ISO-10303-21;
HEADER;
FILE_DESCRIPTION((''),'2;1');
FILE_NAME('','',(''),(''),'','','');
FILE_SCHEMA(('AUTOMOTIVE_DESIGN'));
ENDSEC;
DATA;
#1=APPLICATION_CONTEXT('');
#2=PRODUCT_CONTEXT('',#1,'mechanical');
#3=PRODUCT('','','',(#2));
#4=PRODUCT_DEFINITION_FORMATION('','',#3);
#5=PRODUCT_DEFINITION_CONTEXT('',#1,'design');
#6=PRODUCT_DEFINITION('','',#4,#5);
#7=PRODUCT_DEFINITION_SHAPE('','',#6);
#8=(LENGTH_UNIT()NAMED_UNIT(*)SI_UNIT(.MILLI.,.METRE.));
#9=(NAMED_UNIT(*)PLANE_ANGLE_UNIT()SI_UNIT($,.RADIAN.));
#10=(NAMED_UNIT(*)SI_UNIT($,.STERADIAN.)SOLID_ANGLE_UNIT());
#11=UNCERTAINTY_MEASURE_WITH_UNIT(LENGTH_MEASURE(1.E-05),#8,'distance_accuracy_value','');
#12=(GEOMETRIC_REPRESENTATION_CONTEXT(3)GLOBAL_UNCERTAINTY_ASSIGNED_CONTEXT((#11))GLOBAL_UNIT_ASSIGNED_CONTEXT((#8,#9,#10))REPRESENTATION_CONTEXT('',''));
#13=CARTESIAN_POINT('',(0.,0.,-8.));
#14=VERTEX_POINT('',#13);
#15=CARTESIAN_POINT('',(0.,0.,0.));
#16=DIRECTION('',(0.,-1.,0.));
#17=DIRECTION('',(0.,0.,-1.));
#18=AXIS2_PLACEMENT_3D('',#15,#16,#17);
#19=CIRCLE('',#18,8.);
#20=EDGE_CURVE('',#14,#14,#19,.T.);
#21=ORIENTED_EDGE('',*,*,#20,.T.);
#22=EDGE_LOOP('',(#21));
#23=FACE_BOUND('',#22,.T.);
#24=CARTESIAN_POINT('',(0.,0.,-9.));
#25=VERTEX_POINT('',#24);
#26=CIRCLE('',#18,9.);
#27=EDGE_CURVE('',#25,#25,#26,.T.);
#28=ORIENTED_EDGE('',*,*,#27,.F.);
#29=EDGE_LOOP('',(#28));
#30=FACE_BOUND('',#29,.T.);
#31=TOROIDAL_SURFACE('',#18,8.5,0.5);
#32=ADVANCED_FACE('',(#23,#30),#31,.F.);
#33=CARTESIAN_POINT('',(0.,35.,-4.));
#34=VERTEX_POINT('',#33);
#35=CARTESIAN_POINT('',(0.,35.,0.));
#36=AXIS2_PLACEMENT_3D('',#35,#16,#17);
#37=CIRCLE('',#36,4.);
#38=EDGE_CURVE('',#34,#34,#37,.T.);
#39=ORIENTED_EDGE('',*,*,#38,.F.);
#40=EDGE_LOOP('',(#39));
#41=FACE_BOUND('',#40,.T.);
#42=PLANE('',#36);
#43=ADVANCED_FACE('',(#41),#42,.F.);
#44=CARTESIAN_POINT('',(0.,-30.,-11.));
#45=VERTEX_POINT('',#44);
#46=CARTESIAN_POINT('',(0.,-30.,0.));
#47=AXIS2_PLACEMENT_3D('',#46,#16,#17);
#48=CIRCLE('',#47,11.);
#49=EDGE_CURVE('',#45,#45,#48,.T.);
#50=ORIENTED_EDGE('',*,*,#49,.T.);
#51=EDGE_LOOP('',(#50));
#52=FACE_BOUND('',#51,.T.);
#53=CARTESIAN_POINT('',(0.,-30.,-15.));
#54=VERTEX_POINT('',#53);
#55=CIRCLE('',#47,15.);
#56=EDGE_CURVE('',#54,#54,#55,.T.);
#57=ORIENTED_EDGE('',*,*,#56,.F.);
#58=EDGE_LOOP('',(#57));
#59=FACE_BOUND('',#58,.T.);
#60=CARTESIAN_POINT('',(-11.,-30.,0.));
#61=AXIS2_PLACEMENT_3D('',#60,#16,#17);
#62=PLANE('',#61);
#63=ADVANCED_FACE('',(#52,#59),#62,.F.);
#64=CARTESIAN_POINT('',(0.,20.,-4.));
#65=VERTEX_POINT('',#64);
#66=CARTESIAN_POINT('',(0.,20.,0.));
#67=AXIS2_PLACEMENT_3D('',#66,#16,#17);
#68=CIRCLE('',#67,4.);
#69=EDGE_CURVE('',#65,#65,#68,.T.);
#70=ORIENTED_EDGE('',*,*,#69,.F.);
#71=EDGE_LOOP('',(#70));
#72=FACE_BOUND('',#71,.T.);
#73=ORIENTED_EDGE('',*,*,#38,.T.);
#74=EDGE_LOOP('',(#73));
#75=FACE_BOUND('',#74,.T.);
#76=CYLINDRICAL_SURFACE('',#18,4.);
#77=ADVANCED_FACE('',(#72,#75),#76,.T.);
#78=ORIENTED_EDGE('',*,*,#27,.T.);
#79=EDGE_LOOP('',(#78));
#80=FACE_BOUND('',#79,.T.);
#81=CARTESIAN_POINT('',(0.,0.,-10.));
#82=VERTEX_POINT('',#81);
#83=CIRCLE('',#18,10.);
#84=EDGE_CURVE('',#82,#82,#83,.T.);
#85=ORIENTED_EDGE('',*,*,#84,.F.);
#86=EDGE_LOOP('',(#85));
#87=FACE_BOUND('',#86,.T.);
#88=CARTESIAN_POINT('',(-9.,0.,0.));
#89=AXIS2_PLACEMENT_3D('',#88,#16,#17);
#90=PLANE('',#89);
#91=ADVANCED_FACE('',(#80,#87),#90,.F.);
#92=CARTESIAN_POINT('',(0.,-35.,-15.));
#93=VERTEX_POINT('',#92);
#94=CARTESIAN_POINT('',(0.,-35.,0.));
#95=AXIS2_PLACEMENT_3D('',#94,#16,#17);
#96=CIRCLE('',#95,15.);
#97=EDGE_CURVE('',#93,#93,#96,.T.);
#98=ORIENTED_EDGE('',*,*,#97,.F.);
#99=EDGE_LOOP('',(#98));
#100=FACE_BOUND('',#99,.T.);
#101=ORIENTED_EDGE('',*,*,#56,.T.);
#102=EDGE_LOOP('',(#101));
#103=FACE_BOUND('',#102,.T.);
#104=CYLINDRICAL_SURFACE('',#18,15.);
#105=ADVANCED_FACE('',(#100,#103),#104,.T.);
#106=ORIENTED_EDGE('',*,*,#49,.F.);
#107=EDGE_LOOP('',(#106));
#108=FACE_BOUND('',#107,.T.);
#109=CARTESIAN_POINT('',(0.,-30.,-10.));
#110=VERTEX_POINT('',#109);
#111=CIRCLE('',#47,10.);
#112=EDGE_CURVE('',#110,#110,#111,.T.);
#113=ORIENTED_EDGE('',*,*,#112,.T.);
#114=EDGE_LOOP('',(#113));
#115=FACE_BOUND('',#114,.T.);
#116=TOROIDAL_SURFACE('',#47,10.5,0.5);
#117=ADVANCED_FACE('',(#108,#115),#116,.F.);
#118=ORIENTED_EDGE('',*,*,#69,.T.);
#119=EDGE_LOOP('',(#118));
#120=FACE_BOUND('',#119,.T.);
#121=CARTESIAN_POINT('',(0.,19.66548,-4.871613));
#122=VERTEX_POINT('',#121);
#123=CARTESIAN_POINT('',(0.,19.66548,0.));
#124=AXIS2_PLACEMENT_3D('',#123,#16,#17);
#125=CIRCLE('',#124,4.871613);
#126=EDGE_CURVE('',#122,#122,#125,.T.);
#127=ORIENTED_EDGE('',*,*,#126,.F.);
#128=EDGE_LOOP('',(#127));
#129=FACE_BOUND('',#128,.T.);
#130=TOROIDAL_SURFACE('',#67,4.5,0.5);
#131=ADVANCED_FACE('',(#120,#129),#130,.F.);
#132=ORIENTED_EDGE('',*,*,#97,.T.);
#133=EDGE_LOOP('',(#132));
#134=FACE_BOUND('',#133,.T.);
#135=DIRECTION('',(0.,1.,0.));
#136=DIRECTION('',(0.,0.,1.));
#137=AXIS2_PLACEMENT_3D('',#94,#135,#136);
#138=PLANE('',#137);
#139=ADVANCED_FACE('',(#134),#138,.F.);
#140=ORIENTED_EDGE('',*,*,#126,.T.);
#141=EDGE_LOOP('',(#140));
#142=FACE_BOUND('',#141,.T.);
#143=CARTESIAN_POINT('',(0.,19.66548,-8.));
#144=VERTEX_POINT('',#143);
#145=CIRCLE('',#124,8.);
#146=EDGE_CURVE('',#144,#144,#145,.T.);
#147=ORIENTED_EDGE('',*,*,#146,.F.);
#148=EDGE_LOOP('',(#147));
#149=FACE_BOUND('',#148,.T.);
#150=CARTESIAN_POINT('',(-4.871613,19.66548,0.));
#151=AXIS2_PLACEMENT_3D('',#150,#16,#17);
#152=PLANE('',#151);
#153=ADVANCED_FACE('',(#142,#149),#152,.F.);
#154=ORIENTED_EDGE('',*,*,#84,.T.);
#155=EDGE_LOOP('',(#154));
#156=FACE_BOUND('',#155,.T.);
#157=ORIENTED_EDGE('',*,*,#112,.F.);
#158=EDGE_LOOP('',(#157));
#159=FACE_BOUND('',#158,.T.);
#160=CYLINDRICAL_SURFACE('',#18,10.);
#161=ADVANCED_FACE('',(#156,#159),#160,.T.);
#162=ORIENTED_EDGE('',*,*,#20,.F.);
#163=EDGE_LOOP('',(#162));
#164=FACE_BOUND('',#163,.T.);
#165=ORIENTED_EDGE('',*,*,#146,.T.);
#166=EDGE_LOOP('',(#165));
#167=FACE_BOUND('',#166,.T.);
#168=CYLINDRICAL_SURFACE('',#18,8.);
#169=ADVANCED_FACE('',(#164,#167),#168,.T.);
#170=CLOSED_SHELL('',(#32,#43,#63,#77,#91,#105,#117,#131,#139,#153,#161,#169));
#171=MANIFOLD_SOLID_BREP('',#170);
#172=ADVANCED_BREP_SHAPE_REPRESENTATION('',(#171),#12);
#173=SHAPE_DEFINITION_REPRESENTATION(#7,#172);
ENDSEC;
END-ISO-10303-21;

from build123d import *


with BuildPart() as part:
    # Sketch1 → Revolve1 (revolve)
    with BuildSketch(Plane.XY):
        with BuildLine():
            Line((-9, 0), (-10, 0))
            Line((-10, 0), (-10, -30))
            ThreePointArc((-10, -30), (-10.5, -30.5), (-11, -30))
            Line((-11, -30), (-15, -30))
            Line((-15, -30), (-15, -35))
            Line((-15, -35), (0, -35))
            Line((0, -35), (0, -30))
            Line((0, -30), (0, 0))
            Line((0, 0), (0, 20))
            Line((0, 20), (0, 35))
            Line((0, 35), (-4, 35))
            Line((-4, 35), (-4, 20))
            ThreePointArc((-4, 20), (-4.320844675, 19.53319879), (-4.871613477, 19.665480309))
            Line((-4.871613477, 19.665480309), (-8, 19.665480309))
            Line((-8, 19.665480309), (-8, 0))
            ThreePointArc((-8, 0), (-8.5, -0.5), (-9, 0))
        make_face()
    revolve(axis=Axis((0, 0, 0), (0, 1, 0)))


solid = part.part
